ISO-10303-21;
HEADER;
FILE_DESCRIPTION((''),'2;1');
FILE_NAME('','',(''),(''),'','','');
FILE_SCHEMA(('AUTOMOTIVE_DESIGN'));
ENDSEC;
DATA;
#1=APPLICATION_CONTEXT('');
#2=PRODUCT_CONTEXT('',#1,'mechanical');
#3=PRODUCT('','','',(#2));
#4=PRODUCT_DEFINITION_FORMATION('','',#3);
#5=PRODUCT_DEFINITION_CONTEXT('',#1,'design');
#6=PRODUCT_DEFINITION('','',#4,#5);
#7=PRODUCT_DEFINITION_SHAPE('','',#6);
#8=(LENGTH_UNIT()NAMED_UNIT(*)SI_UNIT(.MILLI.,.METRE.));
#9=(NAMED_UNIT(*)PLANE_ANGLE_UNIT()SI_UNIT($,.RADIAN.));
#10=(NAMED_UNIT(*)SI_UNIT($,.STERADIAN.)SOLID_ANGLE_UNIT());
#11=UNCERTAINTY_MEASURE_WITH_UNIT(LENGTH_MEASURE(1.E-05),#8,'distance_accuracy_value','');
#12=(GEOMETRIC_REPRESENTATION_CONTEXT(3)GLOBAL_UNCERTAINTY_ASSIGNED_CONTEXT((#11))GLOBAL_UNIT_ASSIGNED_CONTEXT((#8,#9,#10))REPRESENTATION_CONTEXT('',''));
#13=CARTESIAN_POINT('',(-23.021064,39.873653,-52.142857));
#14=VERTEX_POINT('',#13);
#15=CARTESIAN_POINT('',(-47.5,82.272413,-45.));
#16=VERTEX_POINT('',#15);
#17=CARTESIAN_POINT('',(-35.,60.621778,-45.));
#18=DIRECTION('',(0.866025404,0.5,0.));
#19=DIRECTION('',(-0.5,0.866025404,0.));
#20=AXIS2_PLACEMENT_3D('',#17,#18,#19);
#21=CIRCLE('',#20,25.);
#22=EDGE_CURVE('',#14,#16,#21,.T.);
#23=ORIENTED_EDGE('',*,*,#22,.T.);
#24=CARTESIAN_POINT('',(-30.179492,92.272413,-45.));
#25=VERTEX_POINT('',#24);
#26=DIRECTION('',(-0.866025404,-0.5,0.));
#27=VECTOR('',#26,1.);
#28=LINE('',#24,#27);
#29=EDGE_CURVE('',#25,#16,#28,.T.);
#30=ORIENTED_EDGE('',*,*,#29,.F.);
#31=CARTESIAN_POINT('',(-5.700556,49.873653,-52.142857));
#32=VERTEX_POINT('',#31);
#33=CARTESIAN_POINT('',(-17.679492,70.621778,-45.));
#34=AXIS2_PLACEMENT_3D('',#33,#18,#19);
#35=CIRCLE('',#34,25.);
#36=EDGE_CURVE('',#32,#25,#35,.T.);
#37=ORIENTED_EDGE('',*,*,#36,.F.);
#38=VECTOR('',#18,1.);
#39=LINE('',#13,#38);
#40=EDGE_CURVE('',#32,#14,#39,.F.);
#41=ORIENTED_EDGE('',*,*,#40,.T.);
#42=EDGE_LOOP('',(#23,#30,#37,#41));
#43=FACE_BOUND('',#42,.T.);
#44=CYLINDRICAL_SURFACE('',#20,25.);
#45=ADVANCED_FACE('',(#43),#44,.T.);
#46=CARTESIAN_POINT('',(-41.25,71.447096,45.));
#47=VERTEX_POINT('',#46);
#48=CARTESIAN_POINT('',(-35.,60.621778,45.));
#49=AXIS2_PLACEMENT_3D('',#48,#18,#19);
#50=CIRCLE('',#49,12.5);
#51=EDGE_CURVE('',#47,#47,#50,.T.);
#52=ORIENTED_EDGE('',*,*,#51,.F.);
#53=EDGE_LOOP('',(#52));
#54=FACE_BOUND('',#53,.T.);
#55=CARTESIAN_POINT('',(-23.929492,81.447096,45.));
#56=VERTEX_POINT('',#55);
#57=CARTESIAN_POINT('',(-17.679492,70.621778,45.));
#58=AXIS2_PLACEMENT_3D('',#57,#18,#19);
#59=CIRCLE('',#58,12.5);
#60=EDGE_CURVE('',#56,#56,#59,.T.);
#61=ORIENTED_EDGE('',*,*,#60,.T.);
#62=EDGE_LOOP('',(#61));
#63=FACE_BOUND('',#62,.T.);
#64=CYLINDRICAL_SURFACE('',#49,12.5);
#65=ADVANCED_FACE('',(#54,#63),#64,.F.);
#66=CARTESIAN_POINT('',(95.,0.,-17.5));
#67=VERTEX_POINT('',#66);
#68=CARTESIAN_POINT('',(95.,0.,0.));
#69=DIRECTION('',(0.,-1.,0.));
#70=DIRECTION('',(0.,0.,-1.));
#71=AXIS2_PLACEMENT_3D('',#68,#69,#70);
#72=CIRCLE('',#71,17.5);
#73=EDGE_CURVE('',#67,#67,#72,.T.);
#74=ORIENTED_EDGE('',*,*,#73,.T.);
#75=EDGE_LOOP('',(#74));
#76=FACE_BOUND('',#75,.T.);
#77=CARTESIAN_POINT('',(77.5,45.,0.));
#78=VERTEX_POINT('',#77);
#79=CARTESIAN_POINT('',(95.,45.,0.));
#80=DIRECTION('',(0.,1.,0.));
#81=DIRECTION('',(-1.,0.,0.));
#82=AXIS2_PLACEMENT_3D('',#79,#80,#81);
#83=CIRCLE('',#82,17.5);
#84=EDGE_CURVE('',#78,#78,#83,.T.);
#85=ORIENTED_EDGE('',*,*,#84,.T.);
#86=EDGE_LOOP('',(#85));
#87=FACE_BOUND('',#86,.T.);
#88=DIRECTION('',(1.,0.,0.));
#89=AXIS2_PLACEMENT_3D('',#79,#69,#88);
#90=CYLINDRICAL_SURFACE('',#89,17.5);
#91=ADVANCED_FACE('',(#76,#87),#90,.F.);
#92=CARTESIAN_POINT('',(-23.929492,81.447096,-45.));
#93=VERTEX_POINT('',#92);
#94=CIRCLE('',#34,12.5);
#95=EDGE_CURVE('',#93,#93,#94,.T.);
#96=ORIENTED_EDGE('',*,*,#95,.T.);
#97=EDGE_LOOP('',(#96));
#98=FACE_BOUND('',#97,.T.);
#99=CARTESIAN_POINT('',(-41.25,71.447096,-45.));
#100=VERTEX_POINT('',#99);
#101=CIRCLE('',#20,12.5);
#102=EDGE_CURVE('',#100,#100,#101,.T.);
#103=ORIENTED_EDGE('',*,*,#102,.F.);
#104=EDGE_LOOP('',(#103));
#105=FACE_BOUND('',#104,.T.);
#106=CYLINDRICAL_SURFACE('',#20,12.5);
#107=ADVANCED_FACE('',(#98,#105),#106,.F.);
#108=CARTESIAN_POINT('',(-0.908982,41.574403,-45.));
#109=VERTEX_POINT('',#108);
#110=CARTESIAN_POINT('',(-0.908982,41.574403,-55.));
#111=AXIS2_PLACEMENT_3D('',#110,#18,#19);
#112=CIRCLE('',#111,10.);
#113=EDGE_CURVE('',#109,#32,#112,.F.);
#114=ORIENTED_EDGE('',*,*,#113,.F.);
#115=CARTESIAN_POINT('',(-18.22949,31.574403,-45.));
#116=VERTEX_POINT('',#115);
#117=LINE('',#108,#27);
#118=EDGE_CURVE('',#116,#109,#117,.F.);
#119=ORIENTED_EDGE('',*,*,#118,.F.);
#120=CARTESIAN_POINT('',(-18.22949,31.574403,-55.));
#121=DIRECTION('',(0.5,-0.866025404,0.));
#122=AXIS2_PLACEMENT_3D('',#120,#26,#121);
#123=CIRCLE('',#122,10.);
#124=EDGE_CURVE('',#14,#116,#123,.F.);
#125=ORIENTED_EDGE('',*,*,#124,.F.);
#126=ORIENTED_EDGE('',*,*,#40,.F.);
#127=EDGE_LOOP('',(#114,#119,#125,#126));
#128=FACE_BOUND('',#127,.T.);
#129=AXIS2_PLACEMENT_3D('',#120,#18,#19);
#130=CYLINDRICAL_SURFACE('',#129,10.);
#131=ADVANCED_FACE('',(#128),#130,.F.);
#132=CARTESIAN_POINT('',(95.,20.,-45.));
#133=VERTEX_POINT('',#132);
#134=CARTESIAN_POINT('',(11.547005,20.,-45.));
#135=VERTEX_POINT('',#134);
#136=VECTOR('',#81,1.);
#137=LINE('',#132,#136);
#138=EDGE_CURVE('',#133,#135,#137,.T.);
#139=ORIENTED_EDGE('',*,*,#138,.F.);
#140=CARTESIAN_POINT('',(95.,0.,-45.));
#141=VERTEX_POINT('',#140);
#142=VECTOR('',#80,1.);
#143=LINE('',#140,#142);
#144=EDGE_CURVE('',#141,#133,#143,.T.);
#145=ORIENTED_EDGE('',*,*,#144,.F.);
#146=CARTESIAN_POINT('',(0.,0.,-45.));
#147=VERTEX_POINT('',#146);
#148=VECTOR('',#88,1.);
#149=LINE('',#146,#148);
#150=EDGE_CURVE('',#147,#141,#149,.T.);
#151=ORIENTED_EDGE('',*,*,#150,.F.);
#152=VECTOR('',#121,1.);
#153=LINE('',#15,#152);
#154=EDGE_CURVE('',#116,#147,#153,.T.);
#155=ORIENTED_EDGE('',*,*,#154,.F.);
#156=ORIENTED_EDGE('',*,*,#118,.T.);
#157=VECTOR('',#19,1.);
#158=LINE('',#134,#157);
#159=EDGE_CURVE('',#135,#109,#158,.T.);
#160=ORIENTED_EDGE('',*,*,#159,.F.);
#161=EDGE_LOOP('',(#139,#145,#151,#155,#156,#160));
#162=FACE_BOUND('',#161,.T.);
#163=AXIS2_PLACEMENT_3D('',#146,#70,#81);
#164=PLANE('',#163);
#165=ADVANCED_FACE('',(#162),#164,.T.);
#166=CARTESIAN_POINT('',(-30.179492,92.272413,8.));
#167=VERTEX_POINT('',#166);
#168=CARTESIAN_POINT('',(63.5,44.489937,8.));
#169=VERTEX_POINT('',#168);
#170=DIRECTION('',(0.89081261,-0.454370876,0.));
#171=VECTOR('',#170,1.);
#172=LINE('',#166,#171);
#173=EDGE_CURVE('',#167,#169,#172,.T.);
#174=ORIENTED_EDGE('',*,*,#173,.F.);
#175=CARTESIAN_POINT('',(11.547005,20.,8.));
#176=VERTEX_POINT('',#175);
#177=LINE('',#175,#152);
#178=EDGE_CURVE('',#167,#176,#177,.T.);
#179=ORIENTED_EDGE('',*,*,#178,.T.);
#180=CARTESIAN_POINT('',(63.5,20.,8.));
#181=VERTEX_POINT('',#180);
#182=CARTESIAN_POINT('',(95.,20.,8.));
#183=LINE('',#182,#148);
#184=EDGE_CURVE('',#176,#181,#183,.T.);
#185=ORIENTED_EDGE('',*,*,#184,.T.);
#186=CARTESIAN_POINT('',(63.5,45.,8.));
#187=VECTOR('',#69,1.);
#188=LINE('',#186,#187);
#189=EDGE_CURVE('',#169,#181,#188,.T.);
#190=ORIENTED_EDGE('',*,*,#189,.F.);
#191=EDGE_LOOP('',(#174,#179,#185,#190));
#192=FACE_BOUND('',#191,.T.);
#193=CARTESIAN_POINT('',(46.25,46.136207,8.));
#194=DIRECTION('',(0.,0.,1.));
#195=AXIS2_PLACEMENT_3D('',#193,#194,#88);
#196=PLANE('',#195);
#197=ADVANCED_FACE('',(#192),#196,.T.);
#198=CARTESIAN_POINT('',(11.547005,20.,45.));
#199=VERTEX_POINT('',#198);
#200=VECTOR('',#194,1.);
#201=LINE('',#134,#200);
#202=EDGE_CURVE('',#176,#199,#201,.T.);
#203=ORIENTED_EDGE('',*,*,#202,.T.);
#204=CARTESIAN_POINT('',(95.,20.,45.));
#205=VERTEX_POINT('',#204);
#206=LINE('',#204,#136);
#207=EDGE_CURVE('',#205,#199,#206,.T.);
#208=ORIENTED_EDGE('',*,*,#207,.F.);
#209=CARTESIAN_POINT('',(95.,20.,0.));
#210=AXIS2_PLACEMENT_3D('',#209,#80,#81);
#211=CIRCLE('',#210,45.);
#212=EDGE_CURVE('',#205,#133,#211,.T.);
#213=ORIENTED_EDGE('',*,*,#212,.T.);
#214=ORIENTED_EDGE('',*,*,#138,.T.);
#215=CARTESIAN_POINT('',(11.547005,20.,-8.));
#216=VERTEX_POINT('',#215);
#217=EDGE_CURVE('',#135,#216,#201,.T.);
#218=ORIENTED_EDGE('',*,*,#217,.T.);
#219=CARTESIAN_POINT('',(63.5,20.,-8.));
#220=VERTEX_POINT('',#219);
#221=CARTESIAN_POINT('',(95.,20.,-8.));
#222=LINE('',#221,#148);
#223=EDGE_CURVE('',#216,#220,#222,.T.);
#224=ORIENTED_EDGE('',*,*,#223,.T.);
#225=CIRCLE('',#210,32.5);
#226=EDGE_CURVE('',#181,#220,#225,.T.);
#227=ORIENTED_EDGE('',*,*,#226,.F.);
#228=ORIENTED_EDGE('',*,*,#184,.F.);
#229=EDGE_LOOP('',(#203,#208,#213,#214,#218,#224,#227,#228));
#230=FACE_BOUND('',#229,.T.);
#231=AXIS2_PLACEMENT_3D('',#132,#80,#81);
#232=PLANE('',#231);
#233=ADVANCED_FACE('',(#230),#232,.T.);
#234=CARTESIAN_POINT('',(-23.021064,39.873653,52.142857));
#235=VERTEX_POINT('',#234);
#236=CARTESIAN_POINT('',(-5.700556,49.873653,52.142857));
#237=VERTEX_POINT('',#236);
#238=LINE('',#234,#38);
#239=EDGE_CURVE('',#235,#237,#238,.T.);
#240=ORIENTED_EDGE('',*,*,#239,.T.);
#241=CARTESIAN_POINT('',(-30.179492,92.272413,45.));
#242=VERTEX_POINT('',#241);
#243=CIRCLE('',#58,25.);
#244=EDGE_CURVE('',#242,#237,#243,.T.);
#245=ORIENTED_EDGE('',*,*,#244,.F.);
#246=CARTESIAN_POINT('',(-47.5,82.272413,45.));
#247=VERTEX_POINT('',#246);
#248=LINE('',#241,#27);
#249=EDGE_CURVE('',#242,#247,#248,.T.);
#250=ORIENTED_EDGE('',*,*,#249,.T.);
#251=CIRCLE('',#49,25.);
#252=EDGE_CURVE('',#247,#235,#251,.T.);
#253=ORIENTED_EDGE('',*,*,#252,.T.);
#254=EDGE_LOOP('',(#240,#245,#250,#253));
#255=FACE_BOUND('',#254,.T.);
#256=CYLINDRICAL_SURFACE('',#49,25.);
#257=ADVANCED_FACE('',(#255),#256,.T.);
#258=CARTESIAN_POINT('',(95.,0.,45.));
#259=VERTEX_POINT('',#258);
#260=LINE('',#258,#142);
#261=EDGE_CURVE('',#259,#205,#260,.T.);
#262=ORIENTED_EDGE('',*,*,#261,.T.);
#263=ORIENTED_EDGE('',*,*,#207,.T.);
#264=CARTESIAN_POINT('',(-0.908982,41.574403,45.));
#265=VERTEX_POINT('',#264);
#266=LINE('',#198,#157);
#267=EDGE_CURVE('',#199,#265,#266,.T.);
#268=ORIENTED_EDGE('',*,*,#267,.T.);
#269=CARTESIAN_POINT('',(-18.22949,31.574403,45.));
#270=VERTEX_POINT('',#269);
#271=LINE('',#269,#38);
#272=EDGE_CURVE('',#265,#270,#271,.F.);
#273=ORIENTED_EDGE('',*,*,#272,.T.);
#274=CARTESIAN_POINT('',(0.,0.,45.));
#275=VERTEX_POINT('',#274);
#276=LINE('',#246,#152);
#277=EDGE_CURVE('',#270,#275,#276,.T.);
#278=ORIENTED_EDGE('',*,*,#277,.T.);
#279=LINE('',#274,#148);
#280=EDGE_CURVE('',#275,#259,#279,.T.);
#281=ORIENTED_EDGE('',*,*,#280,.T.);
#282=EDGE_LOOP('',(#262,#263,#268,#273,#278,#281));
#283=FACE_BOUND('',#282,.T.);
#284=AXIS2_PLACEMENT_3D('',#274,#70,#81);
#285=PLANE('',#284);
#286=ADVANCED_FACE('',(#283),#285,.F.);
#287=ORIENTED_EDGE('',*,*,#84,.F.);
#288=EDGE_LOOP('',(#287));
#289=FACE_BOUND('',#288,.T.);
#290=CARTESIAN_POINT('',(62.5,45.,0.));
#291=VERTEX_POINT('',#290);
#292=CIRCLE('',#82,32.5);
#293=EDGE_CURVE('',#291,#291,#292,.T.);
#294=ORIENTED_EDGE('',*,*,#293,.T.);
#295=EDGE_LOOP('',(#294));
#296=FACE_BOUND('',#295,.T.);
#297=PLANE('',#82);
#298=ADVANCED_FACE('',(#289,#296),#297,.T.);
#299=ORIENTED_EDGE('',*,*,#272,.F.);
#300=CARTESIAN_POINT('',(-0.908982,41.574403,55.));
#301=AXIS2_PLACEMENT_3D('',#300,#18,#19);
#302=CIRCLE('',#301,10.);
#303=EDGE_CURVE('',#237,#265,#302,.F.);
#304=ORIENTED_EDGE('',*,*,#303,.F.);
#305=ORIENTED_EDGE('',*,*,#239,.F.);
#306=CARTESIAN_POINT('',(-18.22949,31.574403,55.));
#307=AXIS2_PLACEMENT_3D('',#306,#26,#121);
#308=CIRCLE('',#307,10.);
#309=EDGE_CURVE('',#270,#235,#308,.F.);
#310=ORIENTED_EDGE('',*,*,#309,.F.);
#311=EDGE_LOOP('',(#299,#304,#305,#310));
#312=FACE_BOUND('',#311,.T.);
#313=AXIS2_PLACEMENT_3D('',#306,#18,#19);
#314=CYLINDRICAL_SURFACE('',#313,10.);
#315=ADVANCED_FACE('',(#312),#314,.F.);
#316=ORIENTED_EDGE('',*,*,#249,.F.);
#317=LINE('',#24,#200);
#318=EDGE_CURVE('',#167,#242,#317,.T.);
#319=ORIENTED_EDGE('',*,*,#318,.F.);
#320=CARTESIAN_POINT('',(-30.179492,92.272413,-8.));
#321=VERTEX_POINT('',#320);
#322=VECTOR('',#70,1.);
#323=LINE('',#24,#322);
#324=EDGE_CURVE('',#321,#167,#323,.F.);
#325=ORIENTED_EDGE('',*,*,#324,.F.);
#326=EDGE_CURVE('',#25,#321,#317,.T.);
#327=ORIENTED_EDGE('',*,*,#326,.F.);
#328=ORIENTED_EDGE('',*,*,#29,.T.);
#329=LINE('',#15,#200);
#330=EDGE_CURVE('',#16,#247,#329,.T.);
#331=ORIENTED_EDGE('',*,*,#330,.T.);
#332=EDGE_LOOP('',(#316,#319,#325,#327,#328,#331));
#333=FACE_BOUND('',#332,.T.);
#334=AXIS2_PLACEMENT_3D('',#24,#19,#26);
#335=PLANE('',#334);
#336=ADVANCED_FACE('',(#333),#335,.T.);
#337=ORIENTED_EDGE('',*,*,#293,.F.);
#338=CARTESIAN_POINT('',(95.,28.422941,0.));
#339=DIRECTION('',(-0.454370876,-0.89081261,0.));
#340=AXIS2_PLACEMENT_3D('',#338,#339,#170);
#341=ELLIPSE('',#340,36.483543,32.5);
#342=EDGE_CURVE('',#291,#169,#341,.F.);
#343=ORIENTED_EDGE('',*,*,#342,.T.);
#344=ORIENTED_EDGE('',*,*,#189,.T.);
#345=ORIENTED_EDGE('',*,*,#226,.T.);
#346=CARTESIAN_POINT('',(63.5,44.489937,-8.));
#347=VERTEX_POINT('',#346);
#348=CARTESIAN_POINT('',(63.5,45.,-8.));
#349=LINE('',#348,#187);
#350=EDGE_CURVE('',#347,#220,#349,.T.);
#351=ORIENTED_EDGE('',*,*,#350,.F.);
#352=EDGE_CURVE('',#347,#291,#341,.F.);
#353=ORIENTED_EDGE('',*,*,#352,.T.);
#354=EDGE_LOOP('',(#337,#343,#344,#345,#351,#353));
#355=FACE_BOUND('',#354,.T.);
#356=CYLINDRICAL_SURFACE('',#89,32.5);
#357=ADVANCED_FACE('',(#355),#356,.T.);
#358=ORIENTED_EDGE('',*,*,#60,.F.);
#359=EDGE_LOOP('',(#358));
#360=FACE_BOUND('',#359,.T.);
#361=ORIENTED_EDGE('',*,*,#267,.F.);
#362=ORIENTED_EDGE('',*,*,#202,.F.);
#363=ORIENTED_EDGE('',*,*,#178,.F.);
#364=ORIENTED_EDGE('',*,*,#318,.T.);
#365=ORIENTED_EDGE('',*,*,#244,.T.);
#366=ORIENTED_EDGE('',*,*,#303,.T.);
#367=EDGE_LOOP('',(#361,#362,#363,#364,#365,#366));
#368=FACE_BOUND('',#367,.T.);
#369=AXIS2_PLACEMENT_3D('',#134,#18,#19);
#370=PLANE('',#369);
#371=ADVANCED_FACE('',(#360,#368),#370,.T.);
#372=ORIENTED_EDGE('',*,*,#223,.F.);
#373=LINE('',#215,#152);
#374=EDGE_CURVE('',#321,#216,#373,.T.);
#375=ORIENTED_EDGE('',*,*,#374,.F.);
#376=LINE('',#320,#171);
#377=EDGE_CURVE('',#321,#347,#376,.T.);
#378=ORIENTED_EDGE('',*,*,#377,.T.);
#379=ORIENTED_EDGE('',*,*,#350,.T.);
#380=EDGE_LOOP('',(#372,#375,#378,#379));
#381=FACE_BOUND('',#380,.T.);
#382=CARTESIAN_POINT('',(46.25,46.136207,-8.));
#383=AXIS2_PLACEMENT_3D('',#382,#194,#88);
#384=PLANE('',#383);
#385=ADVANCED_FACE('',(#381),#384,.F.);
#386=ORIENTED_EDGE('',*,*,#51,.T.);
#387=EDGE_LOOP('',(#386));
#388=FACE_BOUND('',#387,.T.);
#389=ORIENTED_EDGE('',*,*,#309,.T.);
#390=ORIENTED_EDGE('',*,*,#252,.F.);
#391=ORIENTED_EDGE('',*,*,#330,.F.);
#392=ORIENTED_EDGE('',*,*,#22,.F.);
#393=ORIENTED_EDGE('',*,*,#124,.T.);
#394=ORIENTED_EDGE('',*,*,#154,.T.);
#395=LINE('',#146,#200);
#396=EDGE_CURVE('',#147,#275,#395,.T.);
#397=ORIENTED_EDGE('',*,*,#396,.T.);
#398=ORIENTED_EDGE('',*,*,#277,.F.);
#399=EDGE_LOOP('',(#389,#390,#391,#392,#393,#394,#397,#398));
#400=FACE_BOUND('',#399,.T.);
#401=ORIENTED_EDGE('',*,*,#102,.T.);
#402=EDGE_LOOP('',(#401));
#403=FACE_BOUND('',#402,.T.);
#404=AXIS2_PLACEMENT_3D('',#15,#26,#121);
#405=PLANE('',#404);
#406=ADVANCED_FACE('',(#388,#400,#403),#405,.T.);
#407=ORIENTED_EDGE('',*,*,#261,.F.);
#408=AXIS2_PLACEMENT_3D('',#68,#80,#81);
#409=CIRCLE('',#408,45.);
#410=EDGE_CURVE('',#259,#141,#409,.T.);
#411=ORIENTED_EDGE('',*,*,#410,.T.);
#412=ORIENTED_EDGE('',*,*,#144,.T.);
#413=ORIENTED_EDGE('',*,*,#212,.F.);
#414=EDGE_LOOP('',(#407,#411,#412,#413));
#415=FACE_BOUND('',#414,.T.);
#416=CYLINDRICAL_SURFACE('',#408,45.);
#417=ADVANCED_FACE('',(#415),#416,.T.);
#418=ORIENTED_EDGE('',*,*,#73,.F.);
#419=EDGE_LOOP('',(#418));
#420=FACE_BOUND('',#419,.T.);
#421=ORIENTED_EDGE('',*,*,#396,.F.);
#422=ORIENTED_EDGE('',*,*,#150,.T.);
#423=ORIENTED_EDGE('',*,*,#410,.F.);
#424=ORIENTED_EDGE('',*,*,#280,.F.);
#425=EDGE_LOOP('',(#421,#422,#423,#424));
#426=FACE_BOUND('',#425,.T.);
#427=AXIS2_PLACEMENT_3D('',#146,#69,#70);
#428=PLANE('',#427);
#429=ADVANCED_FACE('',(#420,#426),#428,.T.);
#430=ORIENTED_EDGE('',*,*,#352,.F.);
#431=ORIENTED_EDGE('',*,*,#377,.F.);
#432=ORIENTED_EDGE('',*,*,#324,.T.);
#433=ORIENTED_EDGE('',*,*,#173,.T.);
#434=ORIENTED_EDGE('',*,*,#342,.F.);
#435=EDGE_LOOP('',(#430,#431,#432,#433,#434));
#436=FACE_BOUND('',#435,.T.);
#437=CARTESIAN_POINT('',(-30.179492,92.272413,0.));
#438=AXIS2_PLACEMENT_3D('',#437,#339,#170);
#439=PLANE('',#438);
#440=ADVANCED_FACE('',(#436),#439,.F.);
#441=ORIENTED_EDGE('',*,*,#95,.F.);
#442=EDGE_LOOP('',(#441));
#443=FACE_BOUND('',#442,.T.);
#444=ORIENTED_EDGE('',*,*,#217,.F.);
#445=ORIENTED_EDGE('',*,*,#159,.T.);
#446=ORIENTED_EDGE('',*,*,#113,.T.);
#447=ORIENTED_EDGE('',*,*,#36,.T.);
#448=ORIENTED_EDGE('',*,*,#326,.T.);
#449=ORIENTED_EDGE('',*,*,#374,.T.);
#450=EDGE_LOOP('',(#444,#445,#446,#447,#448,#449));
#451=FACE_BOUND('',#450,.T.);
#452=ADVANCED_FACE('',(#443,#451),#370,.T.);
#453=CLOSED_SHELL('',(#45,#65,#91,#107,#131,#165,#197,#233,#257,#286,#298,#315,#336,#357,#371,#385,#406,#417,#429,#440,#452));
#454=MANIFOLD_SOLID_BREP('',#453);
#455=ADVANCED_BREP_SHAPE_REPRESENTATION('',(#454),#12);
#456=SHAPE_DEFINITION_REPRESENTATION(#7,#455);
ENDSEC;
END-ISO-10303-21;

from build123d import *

# Parameters (mm, degrees)
BOSS_EXTRUDE1_DEPTH = 45
BOSS_EXTRUDE2_DEPTH = 20
SKETCH3_R           = 12.5
CUT_EXTRUDE1_DEPTH  = 20
BOSS_EXTRUDE3_DEPTH = 20
SKETCH5_R           = 32.5
SKETCH5_R_2         = 17.5
BOSS_EXTRUDE4_DEPTH = 25
FILLET1_R           = 10
SKETCH8_R           = 17.5
CUT_EXTRUDE2_DEPTH  = 182.698096488
RIB2_REACH          = 183.698
SKETCH9_WALL_W      = 469.435460986
SKETCH9_WALL_H      = 16


with BuildPart() as part:
    # Sketch1 → Boss-Extrude1 (new, symmetric)
    with BuildSketch(Plane.XY):
        Polygon((0, 0), (95, 0), (95, 20), (11.547005384, 20), (-30.179491924, 92.27241336), (-47.5, 82.27241336), align=None)
    extrude(amount=BOSS_EXTRUDE1_DEPTH, both=True)

    # Sketch2 → Boss-Extrude2 (add)
    with BuildSketch(Plane(origin=(17.320508076, 10, 0), x_dir=(0, 0, -1), z_dir=(0.8660254037844396, 0.4999999999999982, 0))):
        with BuildLine():
            Line((-45, 70), (-45, 95))
            ThreePointArc((-45, 95), (-70, 70), (-45, 45))
            Line((-45, 45), (-45, 70))
        make_face()
        with BuildLine():
            ThreePointArc((45, 45), (70, 70), (45, 95))
            Line((45, 95), (45, 45))
        make_face()
    extrude(amount=-BOSS_EXTRUDE2_DEPTH)

    # Sketch3 → Cut-Extrude1 (cut)
    with BuildSketch(Plane(origin=(17.320508076, 10, 0), x_dir=(0, 0, -1), z_dir=(0.8660254037844396, 0.4999999999999982, 0))):
        with Locations(Location((-45, 70, 0), (0, 0, 90))):
            Circle(SKETCH3_R)
        with Locations(Location((45, 70, 0), (0, 0, 90))):
            Circle(SKETCH3_R)
    extrude(amount=-CUT_EXTRUDE1_DEPTH, mode=Mode.SUBTRACT)

    # Sketch4 → Boss-Extrude3 (add)
    with BuildSketch(Plane(origin=(0, 20, 0), x_dir=(1, 0, 0), z_dir=(0, 1, 0))):
        with BuildLine():
            Line((95, 45), (95, -45))
            ThreePointArc((95, -45), (140, 0), (95, 45))
        make_face()
    extrude(amount=-BOSS_EXTRUDE3_DEPTH)

    # Sketch5 → Boss-Extrude4 (add)
    with BuildSketch(Plane(origin=(0, 20, 0), x_dir=(1, 0, 0), z_dir=(0, 1, 0))):
        with Locations(Location((95, 0, 0), (0, 0, 180))):
            Circle(SKETCH5_R)
        with Locations(Location((95, 0, 0), (0, 0, 180))):
            Circle(SKETCH5_R_2, mode=Mode.SUBTRACT)
    extrude(amount=BOSS_EXTRUDE4_DEPTH)

    # Fillet1
    fillet1_edges = [part.edges().sort_by_distance(p)[0] for p in [
        (-13.839745962, 43.97114317, 45),
        (-13.839745962, 43.97114317, -45),
    ]]
    fillet(fillet1_edges, radius=FILLET1_R)

    # Sketch8 → Cut-Extrude2 (cut, through all)
    with BuildSketch(Plane(origin=(0, 0, 0), x_dir=(-1, 0, 0), z_dir=(0, -1, 0))):
        with Locations(Location((-95, 0, 0), (0, 0, 90))):
            Circle(SKETCH8_R)
    extrude(amount=-CUT_EXTRUDE2_DEPTH, mode=Mode.SUBTRACT)

    # Sketch9 wall → Rib2 (add, up to next)
    with BuildSketch(Plane(origin=(16.160254038, 68.63620668, 0), x_dir=(0.890812610433, -0.45437087615, 0), z_dir=(0.45437087615, 0.890812610433, 0)), mode=Mode.PRIVATE) as rib2_sk1:
        Rectangle(SKETCH9_WALL_W, SKETCH9_WALL_H)
    rib2_tool1 = extrude(rib2_sk1.sketch, amount=-RIB2_REACH, mode=Mode.PRIVATE) - part.part
    add(rib2_tool1.solids().sort_by_distance((16.160254038, 68.63620668, 0))[0])


solid = part.part
